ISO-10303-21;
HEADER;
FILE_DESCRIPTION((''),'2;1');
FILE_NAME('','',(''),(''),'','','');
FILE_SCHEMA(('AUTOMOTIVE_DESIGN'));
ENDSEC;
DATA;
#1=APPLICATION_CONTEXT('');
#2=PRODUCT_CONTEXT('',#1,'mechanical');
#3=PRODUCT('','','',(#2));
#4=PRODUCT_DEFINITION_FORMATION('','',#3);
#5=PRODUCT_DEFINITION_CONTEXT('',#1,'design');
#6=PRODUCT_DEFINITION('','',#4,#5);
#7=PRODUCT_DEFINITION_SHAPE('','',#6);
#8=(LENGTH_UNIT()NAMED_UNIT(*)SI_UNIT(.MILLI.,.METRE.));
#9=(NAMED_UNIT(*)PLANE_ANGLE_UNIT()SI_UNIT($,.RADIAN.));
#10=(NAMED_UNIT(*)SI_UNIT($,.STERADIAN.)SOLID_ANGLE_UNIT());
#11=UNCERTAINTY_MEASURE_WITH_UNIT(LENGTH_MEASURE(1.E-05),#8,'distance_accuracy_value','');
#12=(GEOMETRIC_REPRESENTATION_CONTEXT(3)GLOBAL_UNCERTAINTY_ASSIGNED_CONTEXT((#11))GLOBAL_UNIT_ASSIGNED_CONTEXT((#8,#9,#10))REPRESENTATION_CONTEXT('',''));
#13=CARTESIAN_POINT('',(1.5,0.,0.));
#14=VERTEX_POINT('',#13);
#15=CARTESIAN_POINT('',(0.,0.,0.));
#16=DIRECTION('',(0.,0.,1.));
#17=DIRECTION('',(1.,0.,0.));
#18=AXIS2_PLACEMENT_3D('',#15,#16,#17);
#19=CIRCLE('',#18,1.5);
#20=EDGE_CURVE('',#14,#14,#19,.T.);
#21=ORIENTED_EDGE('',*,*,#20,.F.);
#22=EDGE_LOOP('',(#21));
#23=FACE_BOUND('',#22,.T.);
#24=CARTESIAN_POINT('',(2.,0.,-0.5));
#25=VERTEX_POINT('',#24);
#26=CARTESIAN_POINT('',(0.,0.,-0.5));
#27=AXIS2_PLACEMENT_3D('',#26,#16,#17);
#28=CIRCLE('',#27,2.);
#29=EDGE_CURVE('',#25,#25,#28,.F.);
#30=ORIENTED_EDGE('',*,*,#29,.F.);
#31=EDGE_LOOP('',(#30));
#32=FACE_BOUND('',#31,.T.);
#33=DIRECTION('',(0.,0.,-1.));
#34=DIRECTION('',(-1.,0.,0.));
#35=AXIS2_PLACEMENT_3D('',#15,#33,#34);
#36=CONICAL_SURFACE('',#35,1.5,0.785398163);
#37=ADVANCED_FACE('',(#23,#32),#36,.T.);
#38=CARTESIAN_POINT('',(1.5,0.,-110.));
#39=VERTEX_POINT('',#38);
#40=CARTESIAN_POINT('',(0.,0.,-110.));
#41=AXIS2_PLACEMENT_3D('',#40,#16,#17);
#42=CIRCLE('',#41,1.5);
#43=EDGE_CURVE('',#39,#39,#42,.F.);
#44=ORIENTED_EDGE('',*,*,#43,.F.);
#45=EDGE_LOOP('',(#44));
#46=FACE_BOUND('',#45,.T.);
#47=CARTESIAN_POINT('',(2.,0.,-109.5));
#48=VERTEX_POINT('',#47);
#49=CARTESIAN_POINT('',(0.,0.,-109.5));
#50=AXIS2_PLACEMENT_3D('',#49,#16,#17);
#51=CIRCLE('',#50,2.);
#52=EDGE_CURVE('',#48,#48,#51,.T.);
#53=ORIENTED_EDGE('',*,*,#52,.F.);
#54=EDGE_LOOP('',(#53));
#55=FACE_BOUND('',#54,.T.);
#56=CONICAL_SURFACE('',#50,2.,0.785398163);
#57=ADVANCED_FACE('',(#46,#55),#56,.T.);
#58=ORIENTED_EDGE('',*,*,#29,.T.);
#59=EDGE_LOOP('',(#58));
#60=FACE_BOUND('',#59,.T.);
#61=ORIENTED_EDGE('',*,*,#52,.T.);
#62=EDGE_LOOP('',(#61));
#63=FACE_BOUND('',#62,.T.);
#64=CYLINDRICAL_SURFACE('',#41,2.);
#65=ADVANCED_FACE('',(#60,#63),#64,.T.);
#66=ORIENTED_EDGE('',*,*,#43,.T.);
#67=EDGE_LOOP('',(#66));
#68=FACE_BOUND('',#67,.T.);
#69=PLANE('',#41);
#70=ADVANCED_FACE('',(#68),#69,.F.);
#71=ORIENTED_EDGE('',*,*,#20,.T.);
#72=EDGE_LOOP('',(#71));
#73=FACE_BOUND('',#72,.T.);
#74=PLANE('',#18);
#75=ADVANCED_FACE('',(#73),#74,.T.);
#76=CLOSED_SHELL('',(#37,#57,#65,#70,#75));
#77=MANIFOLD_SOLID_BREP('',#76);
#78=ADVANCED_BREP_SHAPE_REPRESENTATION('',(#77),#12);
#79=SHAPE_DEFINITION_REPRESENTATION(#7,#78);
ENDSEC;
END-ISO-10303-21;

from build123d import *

# Parameters (mm, degrees)
SKETCH_1_R      = 2
EXTRUDE_1_DEPTH = 110
CHAMFER_1_SIZE  = 0.5


with BuildPart() as part:
    # 草图1 → 凸台-拉伸1 (new body)
    with BuildSketch(Plane.XY):
        Circle(SKETCH_1_R)
    extrude(amount=-EXTRUDE_1_DEPTH)

    # 倒角1
    chamfer_1_edges = [part.edges().sort_by_distance(p)[0] for p in [
        (-2, 0, 0),
        (-2, 0, -110),
    ]]
    chamfer(chamfer_1_edges, length=CHAMFER_1_SIZE)


solid = part.part
